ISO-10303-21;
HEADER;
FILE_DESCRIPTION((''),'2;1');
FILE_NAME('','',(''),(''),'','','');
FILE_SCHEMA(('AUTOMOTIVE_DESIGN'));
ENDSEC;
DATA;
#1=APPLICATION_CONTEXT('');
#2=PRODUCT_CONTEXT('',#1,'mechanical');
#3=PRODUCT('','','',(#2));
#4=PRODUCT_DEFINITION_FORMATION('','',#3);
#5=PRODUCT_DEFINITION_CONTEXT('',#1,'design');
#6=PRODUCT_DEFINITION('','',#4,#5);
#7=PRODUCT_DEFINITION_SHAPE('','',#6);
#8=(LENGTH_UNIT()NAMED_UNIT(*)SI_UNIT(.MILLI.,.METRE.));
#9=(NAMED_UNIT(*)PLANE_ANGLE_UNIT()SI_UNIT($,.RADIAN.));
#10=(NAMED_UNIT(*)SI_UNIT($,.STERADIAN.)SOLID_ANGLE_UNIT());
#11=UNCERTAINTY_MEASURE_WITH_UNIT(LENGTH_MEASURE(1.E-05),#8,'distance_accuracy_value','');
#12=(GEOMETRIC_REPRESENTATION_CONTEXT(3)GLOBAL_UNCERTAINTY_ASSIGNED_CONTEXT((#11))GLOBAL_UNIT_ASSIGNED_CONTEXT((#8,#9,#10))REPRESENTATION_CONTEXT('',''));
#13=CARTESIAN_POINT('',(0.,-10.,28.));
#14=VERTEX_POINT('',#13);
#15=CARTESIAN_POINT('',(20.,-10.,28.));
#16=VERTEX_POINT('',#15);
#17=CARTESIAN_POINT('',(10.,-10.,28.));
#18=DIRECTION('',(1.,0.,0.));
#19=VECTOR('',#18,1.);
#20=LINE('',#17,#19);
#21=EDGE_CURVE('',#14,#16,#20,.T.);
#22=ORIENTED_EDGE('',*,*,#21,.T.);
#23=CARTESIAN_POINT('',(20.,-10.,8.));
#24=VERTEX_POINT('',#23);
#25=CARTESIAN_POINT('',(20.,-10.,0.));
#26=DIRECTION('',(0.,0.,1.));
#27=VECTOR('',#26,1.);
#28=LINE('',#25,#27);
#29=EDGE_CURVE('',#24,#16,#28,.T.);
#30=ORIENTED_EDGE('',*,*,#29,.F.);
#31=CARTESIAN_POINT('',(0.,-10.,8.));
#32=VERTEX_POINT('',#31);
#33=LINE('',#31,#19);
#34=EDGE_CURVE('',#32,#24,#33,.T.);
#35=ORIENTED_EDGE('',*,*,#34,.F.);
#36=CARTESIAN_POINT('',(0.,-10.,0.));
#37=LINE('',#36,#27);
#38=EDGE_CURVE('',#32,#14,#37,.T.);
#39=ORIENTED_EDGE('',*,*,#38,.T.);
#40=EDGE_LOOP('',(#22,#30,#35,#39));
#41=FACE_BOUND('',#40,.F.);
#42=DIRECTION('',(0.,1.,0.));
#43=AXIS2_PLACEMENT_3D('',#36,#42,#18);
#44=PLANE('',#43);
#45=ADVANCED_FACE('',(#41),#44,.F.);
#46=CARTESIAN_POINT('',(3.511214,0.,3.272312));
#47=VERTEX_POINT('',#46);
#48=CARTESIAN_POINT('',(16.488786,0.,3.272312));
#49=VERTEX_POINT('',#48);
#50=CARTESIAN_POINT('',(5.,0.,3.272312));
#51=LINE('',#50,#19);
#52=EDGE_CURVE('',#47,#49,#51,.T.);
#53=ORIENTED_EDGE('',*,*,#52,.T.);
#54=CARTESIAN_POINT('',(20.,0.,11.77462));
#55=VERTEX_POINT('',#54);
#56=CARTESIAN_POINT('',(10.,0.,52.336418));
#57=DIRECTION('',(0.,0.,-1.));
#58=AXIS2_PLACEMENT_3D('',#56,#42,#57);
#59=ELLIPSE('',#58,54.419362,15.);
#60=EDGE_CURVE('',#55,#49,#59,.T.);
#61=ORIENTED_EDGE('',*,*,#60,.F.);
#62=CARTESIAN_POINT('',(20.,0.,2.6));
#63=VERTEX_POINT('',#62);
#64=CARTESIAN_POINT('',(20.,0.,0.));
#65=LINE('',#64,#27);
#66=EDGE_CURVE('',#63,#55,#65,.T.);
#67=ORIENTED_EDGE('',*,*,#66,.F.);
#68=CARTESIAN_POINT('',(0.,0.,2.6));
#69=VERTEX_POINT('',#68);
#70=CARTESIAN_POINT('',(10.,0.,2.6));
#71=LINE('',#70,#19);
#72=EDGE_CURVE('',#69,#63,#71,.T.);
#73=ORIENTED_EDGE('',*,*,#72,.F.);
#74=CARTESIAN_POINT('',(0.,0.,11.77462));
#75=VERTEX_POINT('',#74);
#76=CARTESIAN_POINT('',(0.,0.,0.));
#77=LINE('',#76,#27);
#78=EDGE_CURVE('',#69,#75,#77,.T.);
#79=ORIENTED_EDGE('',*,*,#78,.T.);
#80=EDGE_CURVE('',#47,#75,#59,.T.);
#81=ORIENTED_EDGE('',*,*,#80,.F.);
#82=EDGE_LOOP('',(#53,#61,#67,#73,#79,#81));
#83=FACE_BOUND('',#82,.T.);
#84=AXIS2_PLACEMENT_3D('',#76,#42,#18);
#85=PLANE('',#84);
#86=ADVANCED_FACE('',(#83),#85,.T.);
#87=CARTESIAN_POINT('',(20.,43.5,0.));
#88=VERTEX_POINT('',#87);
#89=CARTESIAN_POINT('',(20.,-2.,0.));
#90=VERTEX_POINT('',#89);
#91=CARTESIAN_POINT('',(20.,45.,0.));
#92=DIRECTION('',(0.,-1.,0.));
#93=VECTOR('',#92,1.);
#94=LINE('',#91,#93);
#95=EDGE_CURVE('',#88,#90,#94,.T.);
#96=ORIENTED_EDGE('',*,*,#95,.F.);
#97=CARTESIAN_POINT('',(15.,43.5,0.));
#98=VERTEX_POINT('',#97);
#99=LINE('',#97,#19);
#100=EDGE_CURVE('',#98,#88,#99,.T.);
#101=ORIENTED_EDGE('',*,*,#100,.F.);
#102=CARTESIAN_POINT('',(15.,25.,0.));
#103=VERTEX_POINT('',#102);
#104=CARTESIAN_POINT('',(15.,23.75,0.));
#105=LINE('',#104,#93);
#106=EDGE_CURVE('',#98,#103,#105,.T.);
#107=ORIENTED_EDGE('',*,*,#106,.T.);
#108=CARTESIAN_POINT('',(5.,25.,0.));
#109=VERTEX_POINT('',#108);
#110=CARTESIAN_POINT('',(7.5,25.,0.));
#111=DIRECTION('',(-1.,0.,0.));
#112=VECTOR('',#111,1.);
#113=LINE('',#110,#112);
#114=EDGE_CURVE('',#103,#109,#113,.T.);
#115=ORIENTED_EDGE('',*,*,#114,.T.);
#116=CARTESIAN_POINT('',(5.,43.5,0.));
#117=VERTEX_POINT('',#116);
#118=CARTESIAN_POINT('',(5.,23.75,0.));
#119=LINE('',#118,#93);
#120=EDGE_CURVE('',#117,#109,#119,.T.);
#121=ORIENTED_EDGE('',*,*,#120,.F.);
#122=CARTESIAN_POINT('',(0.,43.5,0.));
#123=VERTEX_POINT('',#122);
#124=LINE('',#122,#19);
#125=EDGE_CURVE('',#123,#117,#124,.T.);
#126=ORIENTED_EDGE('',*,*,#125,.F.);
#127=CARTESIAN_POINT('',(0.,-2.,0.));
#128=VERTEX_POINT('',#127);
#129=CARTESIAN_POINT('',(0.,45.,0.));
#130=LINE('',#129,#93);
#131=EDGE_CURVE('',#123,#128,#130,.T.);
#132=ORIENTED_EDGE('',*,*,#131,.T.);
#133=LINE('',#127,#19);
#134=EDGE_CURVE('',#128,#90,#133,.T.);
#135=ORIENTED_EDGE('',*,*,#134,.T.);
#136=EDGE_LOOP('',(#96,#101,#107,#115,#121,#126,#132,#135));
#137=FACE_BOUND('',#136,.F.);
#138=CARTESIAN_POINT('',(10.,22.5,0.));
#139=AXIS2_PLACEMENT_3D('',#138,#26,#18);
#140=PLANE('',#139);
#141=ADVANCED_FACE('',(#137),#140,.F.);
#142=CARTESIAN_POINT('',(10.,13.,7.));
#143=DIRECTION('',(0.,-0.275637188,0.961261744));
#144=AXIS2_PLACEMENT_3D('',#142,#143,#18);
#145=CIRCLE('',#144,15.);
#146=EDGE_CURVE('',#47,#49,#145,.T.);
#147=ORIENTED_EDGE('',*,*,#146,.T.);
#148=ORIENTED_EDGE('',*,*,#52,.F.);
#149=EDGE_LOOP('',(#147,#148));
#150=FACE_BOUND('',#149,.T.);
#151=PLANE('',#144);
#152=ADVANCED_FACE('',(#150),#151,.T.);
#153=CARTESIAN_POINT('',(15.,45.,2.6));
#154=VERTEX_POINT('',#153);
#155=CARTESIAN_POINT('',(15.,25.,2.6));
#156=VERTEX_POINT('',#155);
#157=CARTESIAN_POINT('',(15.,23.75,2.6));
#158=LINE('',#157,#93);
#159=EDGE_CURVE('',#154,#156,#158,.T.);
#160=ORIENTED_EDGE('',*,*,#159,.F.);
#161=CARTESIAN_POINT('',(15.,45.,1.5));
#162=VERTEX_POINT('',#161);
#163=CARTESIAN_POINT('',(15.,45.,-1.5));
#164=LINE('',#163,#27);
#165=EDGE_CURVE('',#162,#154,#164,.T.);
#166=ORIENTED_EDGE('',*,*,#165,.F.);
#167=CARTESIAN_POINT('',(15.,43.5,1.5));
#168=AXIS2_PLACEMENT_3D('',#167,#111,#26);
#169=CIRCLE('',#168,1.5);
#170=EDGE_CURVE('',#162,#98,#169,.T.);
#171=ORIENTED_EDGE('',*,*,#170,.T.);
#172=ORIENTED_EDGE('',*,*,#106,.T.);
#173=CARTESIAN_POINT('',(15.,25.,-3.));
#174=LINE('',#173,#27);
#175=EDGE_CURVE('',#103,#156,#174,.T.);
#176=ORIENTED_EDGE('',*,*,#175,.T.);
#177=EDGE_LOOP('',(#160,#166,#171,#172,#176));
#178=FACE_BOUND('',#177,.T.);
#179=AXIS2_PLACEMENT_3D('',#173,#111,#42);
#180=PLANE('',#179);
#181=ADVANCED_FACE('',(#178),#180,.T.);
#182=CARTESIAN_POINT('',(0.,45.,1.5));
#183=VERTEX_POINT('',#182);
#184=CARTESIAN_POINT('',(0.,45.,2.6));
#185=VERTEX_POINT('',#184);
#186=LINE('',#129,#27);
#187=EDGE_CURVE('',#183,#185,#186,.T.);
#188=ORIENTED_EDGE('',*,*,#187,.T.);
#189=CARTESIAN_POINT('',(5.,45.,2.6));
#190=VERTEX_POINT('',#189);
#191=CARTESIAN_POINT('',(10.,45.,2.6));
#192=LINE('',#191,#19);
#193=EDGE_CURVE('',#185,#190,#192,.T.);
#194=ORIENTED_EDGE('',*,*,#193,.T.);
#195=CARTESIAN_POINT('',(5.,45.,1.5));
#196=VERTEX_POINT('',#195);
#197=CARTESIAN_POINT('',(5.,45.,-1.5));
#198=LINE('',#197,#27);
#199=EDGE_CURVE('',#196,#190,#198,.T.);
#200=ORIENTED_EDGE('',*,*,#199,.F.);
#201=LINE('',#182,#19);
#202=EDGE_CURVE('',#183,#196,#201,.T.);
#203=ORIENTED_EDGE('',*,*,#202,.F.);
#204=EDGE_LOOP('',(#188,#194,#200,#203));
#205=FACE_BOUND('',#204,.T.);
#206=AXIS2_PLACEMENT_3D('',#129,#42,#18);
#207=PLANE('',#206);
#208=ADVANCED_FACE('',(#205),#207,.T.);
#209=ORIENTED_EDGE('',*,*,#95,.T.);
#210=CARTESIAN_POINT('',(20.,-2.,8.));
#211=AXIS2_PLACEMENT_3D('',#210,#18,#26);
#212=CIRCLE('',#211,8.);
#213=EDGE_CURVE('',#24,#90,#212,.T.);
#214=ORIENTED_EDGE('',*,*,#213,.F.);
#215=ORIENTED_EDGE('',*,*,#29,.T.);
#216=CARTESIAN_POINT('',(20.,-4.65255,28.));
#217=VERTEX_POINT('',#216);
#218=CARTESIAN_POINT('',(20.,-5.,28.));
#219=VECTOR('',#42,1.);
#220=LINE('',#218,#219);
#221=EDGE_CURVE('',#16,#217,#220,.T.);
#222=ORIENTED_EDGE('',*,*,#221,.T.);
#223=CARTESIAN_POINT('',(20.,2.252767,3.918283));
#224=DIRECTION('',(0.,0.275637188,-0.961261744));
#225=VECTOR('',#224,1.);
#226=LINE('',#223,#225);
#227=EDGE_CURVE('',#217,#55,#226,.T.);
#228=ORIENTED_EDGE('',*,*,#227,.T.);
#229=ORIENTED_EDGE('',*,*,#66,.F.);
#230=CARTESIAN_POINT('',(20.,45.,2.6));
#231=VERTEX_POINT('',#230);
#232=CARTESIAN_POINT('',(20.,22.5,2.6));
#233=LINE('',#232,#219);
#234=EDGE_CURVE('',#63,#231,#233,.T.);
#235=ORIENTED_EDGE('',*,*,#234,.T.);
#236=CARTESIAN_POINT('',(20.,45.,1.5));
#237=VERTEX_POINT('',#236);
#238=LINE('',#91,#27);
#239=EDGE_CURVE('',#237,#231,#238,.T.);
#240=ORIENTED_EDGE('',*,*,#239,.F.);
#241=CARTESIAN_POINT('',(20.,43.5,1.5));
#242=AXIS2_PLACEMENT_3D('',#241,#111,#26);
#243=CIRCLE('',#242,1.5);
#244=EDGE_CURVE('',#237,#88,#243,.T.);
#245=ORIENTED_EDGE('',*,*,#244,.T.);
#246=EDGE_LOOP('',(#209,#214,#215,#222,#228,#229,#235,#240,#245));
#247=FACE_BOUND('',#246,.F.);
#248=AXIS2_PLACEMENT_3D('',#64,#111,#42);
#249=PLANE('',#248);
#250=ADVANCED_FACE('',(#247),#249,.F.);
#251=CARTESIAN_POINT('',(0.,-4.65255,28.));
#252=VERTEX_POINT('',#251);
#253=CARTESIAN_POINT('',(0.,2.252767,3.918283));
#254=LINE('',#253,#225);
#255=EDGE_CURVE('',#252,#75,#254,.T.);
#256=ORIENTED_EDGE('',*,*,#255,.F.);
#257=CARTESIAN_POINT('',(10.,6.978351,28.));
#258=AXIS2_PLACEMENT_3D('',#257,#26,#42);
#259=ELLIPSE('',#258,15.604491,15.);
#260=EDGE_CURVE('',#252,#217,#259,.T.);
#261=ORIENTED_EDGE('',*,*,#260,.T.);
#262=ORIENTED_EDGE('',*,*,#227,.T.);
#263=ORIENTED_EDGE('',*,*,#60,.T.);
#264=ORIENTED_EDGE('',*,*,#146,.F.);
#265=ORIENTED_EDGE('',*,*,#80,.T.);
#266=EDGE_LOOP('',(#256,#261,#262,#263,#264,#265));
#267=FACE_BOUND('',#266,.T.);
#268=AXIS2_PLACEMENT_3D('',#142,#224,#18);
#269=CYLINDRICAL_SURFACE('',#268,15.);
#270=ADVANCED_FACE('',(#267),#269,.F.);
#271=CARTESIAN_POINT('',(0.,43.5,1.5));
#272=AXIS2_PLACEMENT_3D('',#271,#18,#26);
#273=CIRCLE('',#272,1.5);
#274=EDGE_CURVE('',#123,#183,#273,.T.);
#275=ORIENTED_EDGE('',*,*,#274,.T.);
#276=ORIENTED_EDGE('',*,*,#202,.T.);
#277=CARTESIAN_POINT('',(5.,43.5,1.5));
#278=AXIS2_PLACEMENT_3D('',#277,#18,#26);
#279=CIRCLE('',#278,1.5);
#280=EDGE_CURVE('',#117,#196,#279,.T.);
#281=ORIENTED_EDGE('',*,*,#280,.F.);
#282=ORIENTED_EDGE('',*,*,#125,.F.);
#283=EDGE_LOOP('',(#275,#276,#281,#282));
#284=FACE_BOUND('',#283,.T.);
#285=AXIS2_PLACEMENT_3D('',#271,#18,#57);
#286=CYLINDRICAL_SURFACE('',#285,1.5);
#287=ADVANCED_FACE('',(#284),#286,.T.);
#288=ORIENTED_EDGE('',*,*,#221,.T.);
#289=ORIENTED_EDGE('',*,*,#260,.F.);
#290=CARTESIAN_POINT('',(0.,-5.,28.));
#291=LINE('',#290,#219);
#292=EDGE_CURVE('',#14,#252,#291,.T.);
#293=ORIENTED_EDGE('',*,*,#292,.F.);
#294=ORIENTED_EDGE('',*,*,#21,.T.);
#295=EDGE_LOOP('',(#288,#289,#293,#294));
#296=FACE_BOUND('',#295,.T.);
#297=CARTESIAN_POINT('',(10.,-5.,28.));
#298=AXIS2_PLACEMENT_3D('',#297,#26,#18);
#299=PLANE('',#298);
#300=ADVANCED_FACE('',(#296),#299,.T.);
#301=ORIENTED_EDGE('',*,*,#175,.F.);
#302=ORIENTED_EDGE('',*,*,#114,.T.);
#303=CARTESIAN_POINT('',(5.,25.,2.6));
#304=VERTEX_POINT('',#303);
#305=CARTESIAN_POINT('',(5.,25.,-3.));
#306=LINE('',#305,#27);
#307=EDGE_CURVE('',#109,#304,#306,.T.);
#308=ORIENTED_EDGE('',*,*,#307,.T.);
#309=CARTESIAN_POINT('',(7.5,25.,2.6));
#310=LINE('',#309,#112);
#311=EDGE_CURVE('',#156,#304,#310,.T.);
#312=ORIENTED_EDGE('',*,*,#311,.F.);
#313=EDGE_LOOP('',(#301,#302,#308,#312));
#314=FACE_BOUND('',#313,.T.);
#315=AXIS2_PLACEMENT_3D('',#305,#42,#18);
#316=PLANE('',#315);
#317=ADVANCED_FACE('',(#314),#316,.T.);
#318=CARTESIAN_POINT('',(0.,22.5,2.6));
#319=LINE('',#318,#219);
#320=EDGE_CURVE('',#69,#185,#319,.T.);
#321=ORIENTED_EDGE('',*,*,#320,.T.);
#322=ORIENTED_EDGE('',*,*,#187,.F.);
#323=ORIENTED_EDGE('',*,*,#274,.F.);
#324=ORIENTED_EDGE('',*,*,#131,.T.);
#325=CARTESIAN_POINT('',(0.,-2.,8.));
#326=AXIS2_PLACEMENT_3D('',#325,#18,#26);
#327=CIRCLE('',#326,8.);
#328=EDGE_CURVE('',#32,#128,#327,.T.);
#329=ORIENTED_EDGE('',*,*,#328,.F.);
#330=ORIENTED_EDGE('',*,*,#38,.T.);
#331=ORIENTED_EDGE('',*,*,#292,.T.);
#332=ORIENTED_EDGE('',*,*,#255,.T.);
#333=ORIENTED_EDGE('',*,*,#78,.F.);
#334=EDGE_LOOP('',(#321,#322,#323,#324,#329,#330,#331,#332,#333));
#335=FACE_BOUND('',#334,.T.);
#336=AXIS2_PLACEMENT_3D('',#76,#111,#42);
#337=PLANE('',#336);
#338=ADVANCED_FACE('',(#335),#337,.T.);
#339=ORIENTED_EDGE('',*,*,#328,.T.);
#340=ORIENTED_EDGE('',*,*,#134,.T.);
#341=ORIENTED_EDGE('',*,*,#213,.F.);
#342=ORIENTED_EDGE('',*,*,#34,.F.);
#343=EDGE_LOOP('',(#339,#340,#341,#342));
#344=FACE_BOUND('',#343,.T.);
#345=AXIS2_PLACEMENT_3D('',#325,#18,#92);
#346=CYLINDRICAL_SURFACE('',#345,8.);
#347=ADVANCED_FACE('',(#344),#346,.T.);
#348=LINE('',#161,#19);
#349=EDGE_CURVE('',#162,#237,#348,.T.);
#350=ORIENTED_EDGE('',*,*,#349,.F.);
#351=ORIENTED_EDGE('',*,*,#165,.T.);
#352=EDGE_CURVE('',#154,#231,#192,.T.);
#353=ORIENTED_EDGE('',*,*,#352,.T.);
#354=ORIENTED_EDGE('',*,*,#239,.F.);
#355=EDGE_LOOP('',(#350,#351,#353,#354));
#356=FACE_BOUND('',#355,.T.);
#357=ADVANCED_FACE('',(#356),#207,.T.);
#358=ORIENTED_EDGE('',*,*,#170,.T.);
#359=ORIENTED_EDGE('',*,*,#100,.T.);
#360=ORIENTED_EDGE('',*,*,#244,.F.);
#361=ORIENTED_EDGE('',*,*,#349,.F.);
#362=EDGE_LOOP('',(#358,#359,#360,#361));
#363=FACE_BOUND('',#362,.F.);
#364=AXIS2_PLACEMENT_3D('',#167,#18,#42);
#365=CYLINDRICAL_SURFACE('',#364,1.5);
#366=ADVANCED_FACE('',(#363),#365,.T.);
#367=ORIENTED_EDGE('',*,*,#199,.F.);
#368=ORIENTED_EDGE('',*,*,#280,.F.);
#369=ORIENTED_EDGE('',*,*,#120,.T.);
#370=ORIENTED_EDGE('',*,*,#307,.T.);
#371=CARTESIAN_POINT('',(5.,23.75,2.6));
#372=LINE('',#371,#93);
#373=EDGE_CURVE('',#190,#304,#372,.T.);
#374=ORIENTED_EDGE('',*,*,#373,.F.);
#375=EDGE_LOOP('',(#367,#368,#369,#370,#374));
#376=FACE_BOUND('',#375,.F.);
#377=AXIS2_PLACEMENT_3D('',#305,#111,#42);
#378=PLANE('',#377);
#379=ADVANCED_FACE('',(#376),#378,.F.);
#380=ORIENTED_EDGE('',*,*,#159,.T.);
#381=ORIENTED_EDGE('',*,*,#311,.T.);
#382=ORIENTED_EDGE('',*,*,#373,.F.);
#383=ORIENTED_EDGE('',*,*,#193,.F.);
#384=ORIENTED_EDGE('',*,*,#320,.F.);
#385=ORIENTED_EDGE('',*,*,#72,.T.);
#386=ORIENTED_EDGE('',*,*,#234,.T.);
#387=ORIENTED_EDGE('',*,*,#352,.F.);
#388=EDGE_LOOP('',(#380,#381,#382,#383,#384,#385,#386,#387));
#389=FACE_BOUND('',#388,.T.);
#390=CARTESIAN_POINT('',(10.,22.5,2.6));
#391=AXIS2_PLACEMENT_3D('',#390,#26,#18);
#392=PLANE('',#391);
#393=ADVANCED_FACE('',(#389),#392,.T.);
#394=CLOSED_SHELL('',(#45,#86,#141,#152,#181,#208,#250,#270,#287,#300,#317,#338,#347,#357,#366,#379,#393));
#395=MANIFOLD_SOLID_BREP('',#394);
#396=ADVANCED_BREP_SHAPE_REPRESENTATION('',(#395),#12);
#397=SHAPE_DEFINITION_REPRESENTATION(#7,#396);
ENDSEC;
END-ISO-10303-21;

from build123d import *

# Parameters (mm, degrees)
BOX001_W            = 10
BOX001_H            = 25
BOX001_DEPTH        = 10
BOX_W               = 20
BOX_H               = 45
BOX_DEPTH           = 2.6
CYLINDER_R          = 15
CYLINDER_DEPTH      = 27
CYLINDER_ROLL_ANGLE = 15.99999
BOX002_W            = 20
BOX002_H            = 10
BOX002_DEPTH        = 28
FILLET_R            = 8
FILLET001_R         = 1.5


with BuildPart() as box02:
    # Box001 → Box001 (new body)
    with BuildSketch(Plane(origin=(5, 25, -3), x_dir=(1, 0, 0), z_dir=(0, 0, 1))):
        with Locations((5, 12.5)):
            Rectangle(BOX001_W, BOX001_H)
    extrude(amount=BOX001_DEPTH)


with BuildPart() as patte:
    # Box → Box (new body)
    with BuildSketch(Plane.XY):
        with Locations((10, 22.5)):
            Rectangle(BOX_W, BOX_H)
    extrude(amount=BOX_DEPTH)

    # Cut: cut Box02
    add(box02.part, mode=Mode.SUBTRACT)


with BuildPart() as cylinder:
    # Cylinder → Cylinder (new body)
    with BuildSketch(Plane.XY):
        Circle(CYLINDER_R)
    extrude(amount=CYLINDER_DEPTH)


with BuildPart() as cylinder_1:
    # Cylinder roll: moved
    add(cylinder.part.rotate(Axis((0, 0, 0), (1, 0, 0)), CYLINDER_ROLL_ANGLE))


with BuildPart() as cylinder_2:
    # Cylinder placement: moved
    add(cylinder_1.part.moved(Location((10, 13, 7))))


with BuildPart() as fillet001:
    # Box002 → Box002 (new body)
    with BuildSketch(Plane(origin=(0, -10, 0), x_dir=(1, 0, 0), z_dir=(0, 0, 1))):
        with Locations((10, 5)):
            Rectangle(BOX002_W, BOX002_H)
    extrude(amount=BOX002_DEPTH)

    # Fillet
    fillet_edges = [fillet001.edges().sort_by_distance(p)[0] for p in [
        (10, -10, 0),
    ]]
    fillet(fillet_edges, radius=FILLET_R)

    # Cut001: cut Cylinder
    add(cylinder_2.part, mode=Mode.SUBTRACT)

    # Fusion: union Patte
    add(patte.part)

    # Fillet001
    fillet001_edges = [fillet001.edges().sort_by_distance(p)[0] for p in [
        (17.5, 45, 0),
        (2.5, 45, 0),
    ]]
    fillet(fillet001_edges, radius=FILLET001_R)


solid = fillet001.part
